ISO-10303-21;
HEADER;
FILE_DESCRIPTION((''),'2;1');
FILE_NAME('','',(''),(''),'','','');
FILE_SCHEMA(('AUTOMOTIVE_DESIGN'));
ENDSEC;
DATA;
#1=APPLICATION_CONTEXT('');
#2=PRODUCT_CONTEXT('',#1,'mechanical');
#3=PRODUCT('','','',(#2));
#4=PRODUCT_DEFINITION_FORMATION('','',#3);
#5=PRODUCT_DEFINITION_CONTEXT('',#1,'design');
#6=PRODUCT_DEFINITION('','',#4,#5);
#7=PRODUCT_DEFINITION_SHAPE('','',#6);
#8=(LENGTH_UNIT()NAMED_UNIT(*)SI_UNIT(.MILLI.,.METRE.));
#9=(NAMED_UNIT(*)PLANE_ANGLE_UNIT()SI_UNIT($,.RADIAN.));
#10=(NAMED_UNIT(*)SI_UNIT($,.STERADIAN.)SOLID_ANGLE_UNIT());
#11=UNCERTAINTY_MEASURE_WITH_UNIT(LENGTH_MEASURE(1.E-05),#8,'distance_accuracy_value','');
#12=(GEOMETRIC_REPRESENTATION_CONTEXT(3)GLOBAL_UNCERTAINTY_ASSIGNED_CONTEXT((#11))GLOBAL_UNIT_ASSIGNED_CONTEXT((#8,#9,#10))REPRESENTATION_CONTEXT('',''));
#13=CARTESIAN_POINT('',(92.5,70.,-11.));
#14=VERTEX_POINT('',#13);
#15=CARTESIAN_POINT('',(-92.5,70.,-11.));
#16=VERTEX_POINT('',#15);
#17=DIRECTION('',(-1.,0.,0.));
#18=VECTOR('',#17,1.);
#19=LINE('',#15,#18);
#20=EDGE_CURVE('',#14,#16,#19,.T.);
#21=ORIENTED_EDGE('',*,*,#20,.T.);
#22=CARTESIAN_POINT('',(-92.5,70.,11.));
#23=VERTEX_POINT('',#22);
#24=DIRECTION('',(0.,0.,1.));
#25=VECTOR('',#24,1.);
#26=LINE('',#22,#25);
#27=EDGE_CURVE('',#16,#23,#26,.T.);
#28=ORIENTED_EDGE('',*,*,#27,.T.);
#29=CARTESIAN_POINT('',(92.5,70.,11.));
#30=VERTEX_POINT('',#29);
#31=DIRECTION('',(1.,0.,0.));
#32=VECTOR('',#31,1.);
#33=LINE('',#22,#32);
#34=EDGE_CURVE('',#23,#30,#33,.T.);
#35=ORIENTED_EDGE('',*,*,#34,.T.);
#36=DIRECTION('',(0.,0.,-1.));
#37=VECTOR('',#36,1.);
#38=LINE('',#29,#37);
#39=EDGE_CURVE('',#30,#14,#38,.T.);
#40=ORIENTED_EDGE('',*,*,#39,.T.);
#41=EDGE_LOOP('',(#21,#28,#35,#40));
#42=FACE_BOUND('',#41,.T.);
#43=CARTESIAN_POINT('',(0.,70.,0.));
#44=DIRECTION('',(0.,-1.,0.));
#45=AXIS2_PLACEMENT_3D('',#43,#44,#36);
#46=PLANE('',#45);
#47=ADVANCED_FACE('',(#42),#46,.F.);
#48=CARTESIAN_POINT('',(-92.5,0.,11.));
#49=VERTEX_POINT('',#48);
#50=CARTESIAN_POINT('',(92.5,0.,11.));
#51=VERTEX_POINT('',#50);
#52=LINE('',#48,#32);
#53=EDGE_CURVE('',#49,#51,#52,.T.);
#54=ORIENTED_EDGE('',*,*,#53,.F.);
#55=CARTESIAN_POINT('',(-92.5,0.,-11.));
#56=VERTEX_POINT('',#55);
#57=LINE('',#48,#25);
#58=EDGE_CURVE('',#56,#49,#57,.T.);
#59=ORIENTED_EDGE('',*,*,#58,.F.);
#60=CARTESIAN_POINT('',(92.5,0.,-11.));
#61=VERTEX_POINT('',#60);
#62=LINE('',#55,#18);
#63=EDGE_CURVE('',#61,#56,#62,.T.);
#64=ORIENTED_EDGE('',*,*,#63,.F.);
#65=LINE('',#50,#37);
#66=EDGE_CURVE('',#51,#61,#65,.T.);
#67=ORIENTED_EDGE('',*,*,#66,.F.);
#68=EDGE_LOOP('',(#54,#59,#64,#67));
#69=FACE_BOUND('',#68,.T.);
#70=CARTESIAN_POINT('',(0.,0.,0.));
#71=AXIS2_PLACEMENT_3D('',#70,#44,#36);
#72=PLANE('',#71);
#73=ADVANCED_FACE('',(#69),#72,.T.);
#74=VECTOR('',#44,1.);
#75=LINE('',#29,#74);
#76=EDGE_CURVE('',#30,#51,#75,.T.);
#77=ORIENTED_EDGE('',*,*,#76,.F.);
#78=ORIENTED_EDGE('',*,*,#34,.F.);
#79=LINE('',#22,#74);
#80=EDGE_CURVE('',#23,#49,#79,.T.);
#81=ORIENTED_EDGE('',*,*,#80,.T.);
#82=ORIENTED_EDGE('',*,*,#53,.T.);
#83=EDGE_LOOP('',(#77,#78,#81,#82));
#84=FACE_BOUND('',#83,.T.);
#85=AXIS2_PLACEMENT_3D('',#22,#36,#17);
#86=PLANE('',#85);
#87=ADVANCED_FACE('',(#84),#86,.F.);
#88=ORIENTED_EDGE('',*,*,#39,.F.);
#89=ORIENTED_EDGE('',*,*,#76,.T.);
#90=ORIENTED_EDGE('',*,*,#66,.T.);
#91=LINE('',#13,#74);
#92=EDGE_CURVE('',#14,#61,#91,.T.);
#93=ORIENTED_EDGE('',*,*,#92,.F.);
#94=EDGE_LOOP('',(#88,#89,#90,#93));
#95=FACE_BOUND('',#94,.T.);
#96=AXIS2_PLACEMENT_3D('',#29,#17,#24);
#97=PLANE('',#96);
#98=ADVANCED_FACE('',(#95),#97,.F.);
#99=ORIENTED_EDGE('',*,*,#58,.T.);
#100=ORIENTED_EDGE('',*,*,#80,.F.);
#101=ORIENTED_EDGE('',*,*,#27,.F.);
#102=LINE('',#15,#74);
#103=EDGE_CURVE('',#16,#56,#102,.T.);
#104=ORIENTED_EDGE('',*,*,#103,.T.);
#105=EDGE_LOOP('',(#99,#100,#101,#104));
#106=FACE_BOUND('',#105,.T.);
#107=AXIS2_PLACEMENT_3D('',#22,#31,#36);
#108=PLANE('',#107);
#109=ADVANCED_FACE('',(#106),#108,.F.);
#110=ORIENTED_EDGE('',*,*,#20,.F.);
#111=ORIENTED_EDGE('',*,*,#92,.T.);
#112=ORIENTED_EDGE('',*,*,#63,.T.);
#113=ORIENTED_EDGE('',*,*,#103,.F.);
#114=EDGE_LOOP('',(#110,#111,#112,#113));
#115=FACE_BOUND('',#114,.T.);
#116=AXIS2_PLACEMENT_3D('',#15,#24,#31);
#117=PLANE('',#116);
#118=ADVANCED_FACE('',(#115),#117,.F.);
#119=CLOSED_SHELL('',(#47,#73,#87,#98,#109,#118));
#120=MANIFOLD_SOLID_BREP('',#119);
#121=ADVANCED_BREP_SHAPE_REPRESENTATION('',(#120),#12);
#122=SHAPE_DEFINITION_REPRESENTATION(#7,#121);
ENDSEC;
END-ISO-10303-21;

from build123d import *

# Parameters (mm, degrees)
ESQUISSE1_W        = 185
ESQUISSE1_H        = 22
BOSS_EXTRU_1_DEPTH = 70


with BuildPart() as part:
    # Esquisse1 → Boss.-Extru.1 (new body)
    with BuildSketch(Plane(origin=(0, 0, 0), x_dir=(1, 0, 0), z_dir=(0, 1, 0))):
        Rectangle(ESQUISSE1_W, ESQUISSE1_H)
    extrude(amount=BOSS_EXTRU_1_DEPTH)


solid = part.part
